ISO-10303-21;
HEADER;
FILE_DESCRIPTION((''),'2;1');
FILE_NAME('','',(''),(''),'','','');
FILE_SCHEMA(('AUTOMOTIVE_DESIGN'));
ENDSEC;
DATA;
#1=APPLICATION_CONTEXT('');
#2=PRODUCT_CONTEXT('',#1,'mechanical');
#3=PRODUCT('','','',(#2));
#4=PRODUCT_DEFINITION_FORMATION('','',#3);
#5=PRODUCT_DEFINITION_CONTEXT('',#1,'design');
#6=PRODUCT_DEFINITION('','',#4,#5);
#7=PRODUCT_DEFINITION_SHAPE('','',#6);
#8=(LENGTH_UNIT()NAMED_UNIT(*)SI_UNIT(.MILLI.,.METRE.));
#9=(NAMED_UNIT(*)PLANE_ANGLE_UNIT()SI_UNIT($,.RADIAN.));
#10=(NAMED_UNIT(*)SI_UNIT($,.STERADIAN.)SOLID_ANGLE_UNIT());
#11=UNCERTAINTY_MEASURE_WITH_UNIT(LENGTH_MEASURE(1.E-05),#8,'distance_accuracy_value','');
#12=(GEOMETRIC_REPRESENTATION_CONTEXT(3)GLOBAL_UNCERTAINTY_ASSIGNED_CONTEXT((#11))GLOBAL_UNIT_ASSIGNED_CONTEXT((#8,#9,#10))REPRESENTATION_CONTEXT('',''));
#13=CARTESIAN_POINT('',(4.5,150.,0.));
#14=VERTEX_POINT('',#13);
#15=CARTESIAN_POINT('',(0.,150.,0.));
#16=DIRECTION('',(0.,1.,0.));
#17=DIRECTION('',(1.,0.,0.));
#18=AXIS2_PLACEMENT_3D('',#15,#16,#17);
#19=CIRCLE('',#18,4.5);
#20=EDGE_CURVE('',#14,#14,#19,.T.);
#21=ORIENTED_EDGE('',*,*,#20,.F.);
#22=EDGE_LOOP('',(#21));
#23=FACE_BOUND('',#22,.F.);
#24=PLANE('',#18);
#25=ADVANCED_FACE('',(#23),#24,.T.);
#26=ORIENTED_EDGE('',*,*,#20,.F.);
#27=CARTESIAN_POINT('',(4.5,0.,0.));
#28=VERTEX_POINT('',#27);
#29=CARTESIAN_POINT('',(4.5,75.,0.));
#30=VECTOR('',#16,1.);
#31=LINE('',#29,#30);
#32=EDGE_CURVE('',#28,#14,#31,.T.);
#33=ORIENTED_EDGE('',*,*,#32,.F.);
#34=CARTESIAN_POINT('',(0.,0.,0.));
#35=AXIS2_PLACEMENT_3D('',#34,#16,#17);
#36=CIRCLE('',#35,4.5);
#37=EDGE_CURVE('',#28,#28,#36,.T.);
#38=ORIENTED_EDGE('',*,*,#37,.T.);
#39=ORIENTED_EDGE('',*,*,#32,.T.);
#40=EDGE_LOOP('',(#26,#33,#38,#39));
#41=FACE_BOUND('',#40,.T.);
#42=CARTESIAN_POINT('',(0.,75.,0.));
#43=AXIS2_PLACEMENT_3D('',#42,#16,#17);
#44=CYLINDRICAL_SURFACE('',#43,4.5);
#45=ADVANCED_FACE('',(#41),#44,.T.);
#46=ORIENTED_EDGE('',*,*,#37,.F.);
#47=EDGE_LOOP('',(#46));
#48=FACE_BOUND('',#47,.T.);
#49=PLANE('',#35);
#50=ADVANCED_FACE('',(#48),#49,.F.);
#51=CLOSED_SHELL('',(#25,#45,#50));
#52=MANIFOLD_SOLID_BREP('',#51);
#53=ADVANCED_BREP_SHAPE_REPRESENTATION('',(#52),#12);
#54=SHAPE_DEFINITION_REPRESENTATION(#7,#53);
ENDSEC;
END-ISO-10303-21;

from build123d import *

# Parameters (mm, degrees)
SKETCH1_W = 4.5
SKETCH1_H = 150


with BuildPart() as part:
    # Sketch1 → Revolve1 (revolve)
    with BuildSketch(Plane.XY):
        with Locations((2.25, 75)):
            Rectangle(SKETCH1_W, SKETCH1_H)
    revolve(axis=Axis((0, 0, 0), (0, 1, 0)))


solid = part.part
